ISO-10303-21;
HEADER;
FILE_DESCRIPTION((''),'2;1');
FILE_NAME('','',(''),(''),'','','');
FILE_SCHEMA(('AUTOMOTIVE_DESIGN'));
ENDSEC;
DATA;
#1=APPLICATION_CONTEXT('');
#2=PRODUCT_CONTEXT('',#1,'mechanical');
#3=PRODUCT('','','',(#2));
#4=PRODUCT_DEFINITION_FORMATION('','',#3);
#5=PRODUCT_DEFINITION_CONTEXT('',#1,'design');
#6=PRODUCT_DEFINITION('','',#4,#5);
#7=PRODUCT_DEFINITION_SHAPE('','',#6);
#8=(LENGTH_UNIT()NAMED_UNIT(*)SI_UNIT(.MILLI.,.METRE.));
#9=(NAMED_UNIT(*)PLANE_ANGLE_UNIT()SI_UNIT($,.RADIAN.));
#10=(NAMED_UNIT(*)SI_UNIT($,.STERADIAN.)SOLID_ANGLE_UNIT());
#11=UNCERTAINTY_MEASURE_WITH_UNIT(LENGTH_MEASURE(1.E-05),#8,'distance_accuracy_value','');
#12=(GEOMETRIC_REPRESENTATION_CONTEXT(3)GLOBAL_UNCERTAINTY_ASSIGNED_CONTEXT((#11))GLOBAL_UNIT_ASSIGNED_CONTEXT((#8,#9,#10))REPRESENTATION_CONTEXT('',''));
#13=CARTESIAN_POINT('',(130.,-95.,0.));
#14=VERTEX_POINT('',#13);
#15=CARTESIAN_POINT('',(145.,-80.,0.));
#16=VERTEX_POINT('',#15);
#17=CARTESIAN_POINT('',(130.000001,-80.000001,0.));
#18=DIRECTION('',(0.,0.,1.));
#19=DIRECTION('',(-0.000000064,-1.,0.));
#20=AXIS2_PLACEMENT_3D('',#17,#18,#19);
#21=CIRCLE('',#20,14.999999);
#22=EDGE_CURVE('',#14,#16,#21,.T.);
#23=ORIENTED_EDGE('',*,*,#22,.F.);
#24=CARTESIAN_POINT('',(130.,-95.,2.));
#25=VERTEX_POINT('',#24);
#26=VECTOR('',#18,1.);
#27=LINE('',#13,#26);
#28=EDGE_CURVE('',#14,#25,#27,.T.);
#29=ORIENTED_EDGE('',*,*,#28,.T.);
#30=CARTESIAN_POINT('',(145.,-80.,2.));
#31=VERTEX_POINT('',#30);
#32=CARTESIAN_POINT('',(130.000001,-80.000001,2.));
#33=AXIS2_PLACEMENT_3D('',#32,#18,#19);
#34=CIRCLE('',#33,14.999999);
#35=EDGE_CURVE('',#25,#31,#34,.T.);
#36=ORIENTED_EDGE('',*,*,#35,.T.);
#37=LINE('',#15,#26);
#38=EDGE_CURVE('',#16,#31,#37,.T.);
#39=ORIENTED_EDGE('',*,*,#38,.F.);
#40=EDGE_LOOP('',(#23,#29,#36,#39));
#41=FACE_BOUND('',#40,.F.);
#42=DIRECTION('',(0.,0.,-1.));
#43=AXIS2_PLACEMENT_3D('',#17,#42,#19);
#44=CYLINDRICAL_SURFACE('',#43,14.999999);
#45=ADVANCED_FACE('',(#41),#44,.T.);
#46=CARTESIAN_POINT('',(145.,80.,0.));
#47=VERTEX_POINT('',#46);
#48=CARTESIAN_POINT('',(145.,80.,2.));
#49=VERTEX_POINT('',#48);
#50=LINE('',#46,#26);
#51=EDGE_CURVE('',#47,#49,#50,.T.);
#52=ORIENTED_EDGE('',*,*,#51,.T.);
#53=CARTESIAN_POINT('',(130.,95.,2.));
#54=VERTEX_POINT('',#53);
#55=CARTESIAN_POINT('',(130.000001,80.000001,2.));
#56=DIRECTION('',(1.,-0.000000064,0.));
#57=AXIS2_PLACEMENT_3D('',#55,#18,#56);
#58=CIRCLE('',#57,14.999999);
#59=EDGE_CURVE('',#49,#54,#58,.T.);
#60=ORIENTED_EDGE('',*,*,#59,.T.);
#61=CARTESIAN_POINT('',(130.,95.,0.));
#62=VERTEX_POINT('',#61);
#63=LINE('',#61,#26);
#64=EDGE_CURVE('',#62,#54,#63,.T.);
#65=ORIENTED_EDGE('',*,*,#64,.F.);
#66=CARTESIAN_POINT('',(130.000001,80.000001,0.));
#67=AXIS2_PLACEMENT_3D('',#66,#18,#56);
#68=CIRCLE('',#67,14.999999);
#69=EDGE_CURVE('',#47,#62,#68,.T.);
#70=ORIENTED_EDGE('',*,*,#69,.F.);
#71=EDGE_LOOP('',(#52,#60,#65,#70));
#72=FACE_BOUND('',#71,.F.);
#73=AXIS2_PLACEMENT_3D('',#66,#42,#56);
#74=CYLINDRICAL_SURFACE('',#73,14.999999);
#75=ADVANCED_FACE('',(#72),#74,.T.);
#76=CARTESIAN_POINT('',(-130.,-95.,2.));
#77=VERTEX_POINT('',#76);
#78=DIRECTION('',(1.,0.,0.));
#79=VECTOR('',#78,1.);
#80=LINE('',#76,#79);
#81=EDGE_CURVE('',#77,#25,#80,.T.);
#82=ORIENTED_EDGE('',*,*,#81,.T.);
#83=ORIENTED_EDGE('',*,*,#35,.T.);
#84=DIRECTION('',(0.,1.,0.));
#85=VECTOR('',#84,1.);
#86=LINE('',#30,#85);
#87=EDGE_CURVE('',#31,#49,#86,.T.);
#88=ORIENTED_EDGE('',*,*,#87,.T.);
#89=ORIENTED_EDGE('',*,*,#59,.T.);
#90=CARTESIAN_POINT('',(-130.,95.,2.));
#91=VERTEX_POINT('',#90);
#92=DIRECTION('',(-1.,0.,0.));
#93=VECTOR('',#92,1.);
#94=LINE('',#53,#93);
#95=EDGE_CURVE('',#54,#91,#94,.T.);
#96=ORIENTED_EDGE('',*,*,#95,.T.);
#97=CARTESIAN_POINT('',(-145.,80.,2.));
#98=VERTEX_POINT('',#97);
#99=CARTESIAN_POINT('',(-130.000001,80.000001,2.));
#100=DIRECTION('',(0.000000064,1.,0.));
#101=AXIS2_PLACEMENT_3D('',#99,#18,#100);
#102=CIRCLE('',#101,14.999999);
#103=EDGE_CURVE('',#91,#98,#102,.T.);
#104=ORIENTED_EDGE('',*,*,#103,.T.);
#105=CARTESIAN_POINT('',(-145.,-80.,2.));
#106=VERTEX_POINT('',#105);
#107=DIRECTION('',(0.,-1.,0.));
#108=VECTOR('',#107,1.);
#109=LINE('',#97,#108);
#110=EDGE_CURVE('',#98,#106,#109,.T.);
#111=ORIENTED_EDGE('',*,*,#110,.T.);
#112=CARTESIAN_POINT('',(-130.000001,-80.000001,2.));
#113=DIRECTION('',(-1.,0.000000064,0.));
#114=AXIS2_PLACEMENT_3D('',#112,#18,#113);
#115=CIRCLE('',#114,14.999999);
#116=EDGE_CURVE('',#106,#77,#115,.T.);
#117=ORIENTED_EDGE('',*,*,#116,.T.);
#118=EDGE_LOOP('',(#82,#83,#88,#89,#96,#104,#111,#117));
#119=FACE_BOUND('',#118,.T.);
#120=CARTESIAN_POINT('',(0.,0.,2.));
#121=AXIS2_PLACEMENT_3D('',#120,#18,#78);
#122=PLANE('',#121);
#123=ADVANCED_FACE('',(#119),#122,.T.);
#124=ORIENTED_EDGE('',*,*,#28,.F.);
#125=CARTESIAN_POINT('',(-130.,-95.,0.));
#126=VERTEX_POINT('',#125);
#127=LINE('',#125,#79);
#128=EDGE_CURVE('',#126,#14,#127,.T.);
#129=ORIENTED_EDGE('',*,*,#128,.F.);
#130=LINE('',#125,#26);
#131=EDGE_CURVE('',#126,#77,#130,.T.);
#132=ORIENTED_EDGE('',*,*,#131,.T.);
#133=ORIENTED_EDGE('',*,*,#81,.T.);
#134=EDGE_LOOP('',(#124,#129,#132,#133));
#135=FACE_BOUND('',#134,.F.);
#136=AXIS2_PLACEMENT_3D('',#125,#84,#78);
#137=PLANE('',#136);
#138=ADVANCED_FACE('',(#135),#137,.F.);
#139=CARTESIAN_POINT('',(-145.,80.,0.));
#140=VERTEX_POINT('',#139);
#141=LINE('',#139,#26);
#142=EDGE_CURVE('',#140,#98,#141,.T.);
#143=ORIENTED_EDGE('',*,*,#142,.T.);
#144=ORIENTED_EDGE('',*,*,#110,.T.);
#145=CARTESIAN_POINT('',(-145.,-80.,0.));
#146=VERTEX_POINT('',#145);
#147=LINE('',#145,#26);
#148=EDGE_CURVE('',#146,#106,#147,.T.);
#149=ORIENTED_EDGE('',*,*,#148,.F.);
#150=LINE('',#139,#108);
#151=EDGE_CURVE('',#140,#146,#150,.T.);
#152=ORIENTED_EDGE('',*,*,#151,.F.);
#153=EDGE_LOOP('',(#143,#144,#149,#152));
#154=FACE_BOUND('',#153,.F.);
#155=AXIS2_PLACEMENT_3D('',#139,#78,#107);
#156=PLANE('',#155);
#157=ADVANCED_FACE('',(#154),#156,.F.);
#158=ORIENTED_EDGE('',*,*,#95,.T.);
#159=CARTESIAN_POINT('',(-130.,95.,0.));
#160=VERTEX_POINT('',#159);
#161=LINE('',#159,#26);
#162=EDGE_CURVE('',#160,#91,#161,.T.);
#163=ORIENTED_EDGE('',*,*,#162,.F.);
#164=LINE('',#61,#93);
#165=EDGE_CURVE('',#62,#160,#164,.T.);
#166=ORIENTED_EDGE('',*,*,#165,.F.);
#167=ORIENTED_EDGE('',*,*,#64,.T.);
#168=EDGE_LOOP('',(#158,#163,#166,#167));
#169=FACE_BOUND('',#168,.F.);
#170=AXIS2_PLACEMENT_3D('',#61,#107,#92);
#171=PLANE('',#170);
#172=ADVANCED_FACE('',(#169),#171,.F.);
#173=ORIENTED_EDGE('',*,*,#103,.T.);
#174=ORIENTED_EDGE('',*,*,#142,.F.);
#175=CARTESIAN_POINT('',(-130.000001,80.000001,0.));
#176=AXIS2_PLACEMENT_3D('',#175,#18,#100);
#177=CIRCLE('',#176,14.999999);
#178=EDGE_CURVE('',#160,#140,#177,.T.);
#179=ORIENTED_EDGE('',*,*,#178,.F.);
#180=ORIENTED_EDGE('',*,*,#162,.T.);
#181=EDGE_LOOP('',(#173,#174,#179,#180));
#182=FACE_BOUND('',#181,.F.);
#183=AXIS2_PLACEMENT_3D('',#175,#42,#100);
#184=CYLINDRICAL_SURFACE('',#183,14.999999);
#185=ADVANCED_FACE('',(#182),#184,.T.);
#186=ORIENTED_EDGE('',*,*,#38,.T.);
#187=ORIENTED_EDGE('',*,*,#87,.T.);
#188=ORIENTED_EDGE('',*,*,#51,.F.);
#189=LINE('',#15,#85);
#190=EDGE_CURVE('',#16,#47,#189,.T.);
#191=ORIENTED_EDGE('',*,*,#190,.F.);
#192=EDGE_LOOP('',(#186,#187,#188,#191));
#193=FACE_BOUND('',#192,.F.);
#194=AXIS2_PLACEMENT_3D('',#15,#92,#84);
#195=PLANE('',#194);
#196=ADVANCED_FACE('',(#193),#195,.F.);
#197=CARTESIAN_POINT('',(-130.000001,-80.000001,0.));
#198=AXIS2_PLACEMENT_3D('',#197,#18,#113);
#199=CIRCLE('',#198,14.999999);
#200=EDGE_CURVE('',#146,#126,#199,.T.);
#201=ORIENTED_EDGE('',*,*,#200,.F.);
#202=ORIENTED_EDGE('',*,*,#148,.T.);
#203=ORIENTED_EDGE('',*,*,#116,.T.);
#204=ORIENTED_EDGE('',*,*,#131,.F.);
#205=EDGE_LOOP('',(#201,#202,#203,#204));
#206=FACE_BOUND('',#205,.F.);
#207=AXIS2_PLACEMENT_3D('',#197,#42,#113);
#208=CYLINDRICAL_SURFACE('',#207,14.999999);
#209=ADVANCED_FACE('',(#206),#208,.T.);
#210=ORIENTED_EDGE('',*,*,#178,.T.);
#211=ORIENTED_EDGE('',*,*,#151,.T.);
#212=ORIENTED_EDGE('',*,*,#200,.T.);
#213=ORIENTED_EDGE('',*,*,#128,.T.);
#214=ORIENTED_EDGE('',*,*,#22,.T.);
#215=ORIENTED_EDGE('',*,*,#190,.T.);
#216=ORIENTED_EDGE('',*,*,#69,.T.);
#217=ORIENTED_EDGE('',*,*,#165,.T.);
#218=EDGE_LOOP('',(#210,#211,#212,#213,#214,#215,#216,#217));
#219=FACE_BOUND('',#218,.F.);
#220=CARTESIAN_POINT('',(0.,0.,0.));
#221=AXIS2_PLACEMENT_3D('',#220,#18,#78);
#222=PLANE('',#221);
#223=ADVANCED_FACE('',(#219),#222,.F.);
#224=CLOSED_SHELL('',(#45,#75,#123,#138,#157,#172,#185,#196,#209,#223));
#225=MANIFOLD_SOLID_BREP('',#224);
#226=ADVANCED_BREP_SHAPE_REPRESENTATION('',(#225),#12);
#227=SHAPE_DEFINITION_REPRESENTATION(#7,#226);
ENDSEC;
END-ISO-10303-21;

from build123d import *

# Parameters (mm, degrees)
F1_DEPTH = 2


with BuildPart() as f1:
    # F0 (on Top) → F1 (new body)
    with BuildSketch(Plane.XY):
        with BuildLine():
            ThreePointArc((-145, -80), (-140.606602, -90.606602), (-130, -95))
            Line((-130, -95), (130, -95))
            ThreePointArc((130, -95), (140.606602, -90.606602), (145, -80))
            Line((145, -80), (145, 80))
            ThreePointArc((145, 80), (140.606602, 90.606602), (130, 95))
            Line((130, 95), (-130, 95))
            ThreePointArc((-130, 95), (-140.606602, 90.606602), (-145, 80))
            Line((-145, 80), (-145, -80))
        make_face()
        with BuildLine():
            ThreePointArc((-135, -40), (-133.535534, -36.464466), (-130, -35))
            Line((-130, -35), (-94, -35))
            ThreePointArc((-94, -35), (-90.464466, -36.464466), (-89, -40))
            Line((-89, -40), (-89, -80))
            ThreePointArc((-89, -80), (-90.464466, -83.535534), (-94, -85))
            Line((-94, -85), (-130, -85))
            ThreePointArc((-130, -85), (-133.535534, -83.535534), (-135, -80))
            Line((-135, -80), (-135, -40))
        make_face(mode=Mode.SUBTRACT)
        with BuildLine():
            ThreePointArc((-79, -40), (-77.535534, -36.464466), (-74, -35))
            Line((-74, -35), (-38, -35))
            ThreePointArc((-38, -35), (-34.464466, -36.464466), (-33, -40))
            Line((-33, -40), (-33, -80))
            ThreePointArc((-33, -80), (-34.464466, -83.535534), (-38, -85))
            Line((-38, -85), (-74, -85))
            ThreePointArc((-74, -85), (-77.535534, -83.535534), (-79, -80))
            Line((-79, -80), (-79, -40))
        make_face(mode=Mode.SUBTRACT)
        with BuildLine():
            ThreePointArc((-23, -40), (-21.535534, -36.464466), (-18, -35))
            Line((-18, -35), (18, -35))
            ThreePointArc((18, -35), (21.535534, -36.464466), (23, -40))
            Line((23, -40), (23, -80))
            ThreePointArc((23, -80), (21.535534, -83.535534), (18, -85))
            Line((18, -85), (-18, -85))
            ThreePointArc((-18, -85), (-21.535534, -83.535534), (-23, -80))
            Line((-23, -80), (-23, -40))
        make_face(mode=Mode.SUBTRACT)
        with BuildLine():
            ThreePointArc((33, -40), (34.464466, -36.464466), (38, -35))
            Line((38, -35), (74, -35))
            ThreePointArc((74, -35), (77.535534, -36.464466), (79, -40))
            Line((79, -40), (79, -80))
            ThreePointArc((79, -80), (77.535534, -83.535534), (74, -85))
            Line((74, -85), (38, -85))
            ThreePointArc((38, -85), (34.464466, -83.535534), (33, -80))
            Line((33, -80), (33, -40))
        make_face(mode=Mode.SUBTRACT)
        with BuildLine():
            ThreePointArc((89, -40), (90.464466, -36.464466), (94, -35))
            Line((94, -35), (130, -35))
            ThreePointArc((130, -35), (133.535534, -36.464466), (135, -40))
            Line((135, -40), (135, -80))
            ThreePointArc((135, -80), (133.535534, -83.535534), (130, -85))
            Line((130, -85), (94, -85))
            ThreePointArc((94, -85), (90.464466, -83.535534), (89, -80))
            Line((89, -80), (89, -40))
        make_face(mode=Mode.SUBTRACT)
        with BuildLine():
            ThreePointArc((-135, 20), (-133.535534, 23.535534), (-130, 25))
            Line((-130, 25), (-94, 25))
            ThreePointArc((-94, 25), (-90.464466, 23.535534), (-89, 20))
            Line((-89, 20), (-89, -20))
            ThreePointArc((-89, -20), (-90.464466, -23.535534), (-94, -25))
            Line((-94, -25), (-130, -25))
            ThreePointArc((-130, -25), (-133.535534, -23.535534), (-135, -20))
            Line((-135, -20), (-135, 20))
        make_face(mode=Mode.SUBTRACT)
        with BuildLine():
            ThreePointArc((-79, 20), (-77.535534, 23.535534), (-74, 25))
            Line((-74, 25), (-38, 25))
            ThreePointArc((-38, 25), (-34.464466, 23.535534), (-33, 20))
            Line((-33, 20), (-33, -20))
            ThreePointArc((-33, -20), (-34.464466, -23.535534), (-38, -25))
            Line((-38, -25), (-74, -25))
            ThreePointArc((-74, -25), (-77.535534, -23.535534), (-79, -20))
            Line((-79, -20), (-79, 20))
        make_face(mode=Mode.SUBTRACT)
        with BuildLine():
            ThreePointArc((-89, 40), (-90.464466, 36.464466), (-94, 35))
            Line((-94, 35), (-130, 35))
            ThreePointArc((-130, 35), (-133.535534, 36.464466), (-135, 40))
            Line((-135, 40), (-135, 80))
            ThreePointArc((-135, 80), (-133.535534, 83.535534), (-130, 85))
            Line((-130, 85), (-94, 85))
            ThreePointArc((-94, 85), (-90.464466, 83.535534), (-89, 80))
            Line((-89, 80), (-89, 40))
        make_face(mode=Mode.SUBTRACT)
        with BuildLine():
            ThreePointArc((-79, 80), (-77.535534, 83.535534), (-74, 85))
            Line((-74, 85), (-38, 85))
            ThreePointArc((-38, 85), (-34.464466, 83.535534), (-33, 80))
            Line((-33, 80), (-33, 40))
            ThreePointArc((-33, 40), (-34.464466, 36.464466), (-38, 35))
            Line((-38, 35), (-74, 35))
            ThreePointArc((-74, 35), (-77.535534, 36.464466), (-79, 40))
            Line((-79, 40), (-79, 80))
        make_face(mode=Mode.SUBTRACT)
        with BuildLine():
            ThreePointArc((-23, 20), (-21.535534, 23.535534), (-18, 25))
            Line((-18, 25), (18, 25))
            ThreePointArc((18, 25), (21.535534, 23.535534), (23, 20))
            Line((23, 20), (23, -20))
            ThreePointArc((23, -20), (21.535534, -23.535534), (18, -25))
            Line((18, -25), (-18, -25))
            ThreePointArc((-18, -25), (-21.535534, -23.535534), (-23, -20))
            Line((-23, -20), (-23, 20))
        make_face(mode=Mode.SUBTRACT)
        with BuildLine():
            ThreePointArc((33, 20), (34.464466, 23.535534), (38, 25))
            Line((38, 25), (74, 25))
            ThreePointArc((74, 25), (77.535534, 23.535534), (79, 20))
            Line((79, 20), (79, -20))
            ThreePointArc((79, -20), (77.535534, -23.535534), (74, -25))
            Line((74, -25), (38, -25))
            ThreePointArc((38, -25), (34.464466, -23.535534), (33, -20))
            Line((33, -20), (33, 20))
        make_face(mode=Mode.SUBTRACT)
        with BuildLine():
            ThreePointArc((89, 20), (90.464466, 23.535534), (94, 25))
            Line((94, 25), (130, 25))
            ThreePointArc((130, 25), (133.535534, 23.535534), (135, 20))
            Line((135, 20), (135, -20))
            ThreePointArc((135, -20), (133.535534, -23.535534), (130, -25))
            Line((130, -25), (94, -25))
            ThreePointArc((94, -25), (90.464466, -23.535534), (89, -20))
            Line((89, -20), (89, 20))
        make_face(mode=Mode.SUBTRACT)
        with BuildLine():
            ThreePointArc((-23, 80), (-21.535534, 83.535534), (-18, 85))
            Line((-18, 85), (18, 85))
            ThreePointArc((18, 85), (21.535534, 83.535534), (23, 80))
            Line((23, 80), (23, 40))
            ThreePointArc((23, 40), (21.535534, 36.464466), (18, 35))
            Line((18, 35), (-18, 35))
            ThreePointArc((-18, 35), (-21.535534, 36.464466), (-23, 40))
            Line((-23, 40), (-23, 80))
        make_face(mode=Mode.SUBTRACT)
        with BuildLine():
            ThreePointArc((33, 80), (34.464466, 83.535534), (38, 85))
            Line((38, 85), (74, 85))
            ThreePointArc((74, 85), (77.535534, 83.535534), (79, 80))
            Line((79, 80), (79, 40))
            ThreePointArc((79, 40), (77.535534, 36.464466), (74, 35))
            Line((74, 35), (38, 35))
            ThreePointArc((38, 35), (34.464466, 36.464466), (33, 40))
            Line((33, 40), (33, 80))
        make_face(mode=Mode.SUBTRACT)
        with BuildLine():
            ThreePointArc((89, 80), (90.464466, 83.535534), (94, 85))
            Line((94, 85), (130, 85))
            ThreePointArc((130, 85), (133.535534, 83.535534), (135, 80))
            Line((135, 80), (135, 40))
            ThreePointArc((135, 40), (133.535534, 36.464466), (130, 35))
            Line((130, 35), (94, 35))
            ThreePointArc((94, 35), (90.464466, 36.464466), (89, 40))
            Line((89, 40), (89, 80))
        make_face(mode=Mode.SUBTRACT)
        with BuildLine():
            Line((130, -35), (94, -35))
            ThreePointArc((94, -35), (90.464466, -36.464466), (89, -40))
            Line((89, -40), (89, -80))
            ThreePointArc((89, -80), (90.464466, -83.535534), (94, -85))
            Line((94, -85), (130, -85))
            ThreePointArc((130, -85), (133.535534, -83.535534), (135, -80))
            Line((135, -80), (135, -40))
            ThreePointArc((135, -40), (133.535534, -36.464466), (130, -35))
        make_face()
        with BuildLine():
            Line((74, -35), (38, -35))
            ThreePointArc((38, -35), (34.464466, -36.464466), (33, -40))
            Line((33, -40), (33, -80))
            ThreePointArc((33, -80), (34.464466, -83.535534), (38, -85))
            Line((38, -85), (74, -85))
            ThreePointArc((74, -85), (77.535534, -83.535534), (79, -80))
            Line((79, -80), (79, -40))
            ThreePointArc((79, -40), (77.535534, -36.464466), (74, -35))
        make_face()
        with BuildLine():
            Line((130, 25), (94, 25))
            ThreePointArc((94, 25), (90.464466, 23.535534), (89, 20))
            Line((89, 20), (89, -20))
            ThreePointArc((89, -20), (90.464466, -23.535534), (94, -25))
            Line((94, -25), (130, -25))
            ThreePointArc((130, -25), (133.535534, -23.535534), (135, -20))
            Line((135, -20), (135, 20))
            ThreePointArc((135, 20), (133.535534, 23.535534), (130, 25))
        make_face()
        with BuildLine():
            Line((74, 25), (38, 25))
            ThreePointArc((38, 25), (34.464466, 23.535534), (33, 20))
            Line((33, 20), (33, -20))
            ThreePointArc((33, -20), (34.464466, -23.535534), (38, -25))
            Line((38, -25), (74, -25))
            ThreePointArc((74, -25), (77.535534, -23.535534), (79, -20))
            Line((79, -20), (79, 20))
            ThreePointArc((79, 20), (77.535534, 23.535534), (74, 25))
        make_face()
        with BuildLine():
            Line((130, 85), (94, 85))
            ThreePointArc((94, 85), (90.464466, 83.535534), (89, 80))
            Line((89, 80), (89, 40))
            ThreePointArc((89, 40), (90.464466, 36.464466), (94, 35))
            Line((94, 35), (130, 35))
            ThreePointArc((130, 35), (133.535534, 36.464466), (135, 40))
            Line((135, 40), (135, 80))
            ThreePointArc((135, 80), (133.535534, 83.535534), (130, 85))
        make_face()
        with BuildLine():
            Line((74, 85), (38, 85))
            ThreePointArc((38, 85), (34.464466, 83.535534), (33, 80))
            Line((33, 80), (33, 40))
            ThreePointArc((33, 40), (34.464466, 36.464466), (38, 35))
            Line((38, 35), (74, 35))
            ThreePointArc((74, 35), (77.535534, 36.464466), (79, 40))
            Line((79, 40), (79, 80))
            ThreePointArc((79, 80), (77.535534, 83.535534), (74, 85))
        make_face()
        with BuildLine():
            Line((18, 85), (-18, 85))
            ThreePointArc((-18, 85), (-21.535534, 83.535534), (-23, 80))
            Line((-23, 80), (-23, 40))
            ThreePointArc((-23, 40), (-21.535534, 36.464466), (-18, 35))
            Line((-18, 35), (18, 35))
            ThreePointArc((18, 35), (21.535534, 36.464466), (23, 40))
            Line((23, 40), (23, 80))
            ThreePointArc((23, 80), (21.535534, 83.535534), (18, 85))
        make_face()
        with BuildLine():
            Line((18, 25), (-18, 25))
            ThreePointArc((-18, 25), (-21.535534, 23.535534), (-23, 20))
            Line((-23, 20), (-23, -20))
            ThreePointArc((-23, -20), (-21.535534, -23.535534), (-18, -25))
            Line((-18, -25), (18, -25))
            ThreePointArc((18, -25), (21.535534, -23.535534), (23, -20))
            Line((23, -20), (23, 20))
            ThreePointArc((23, 20), (21.535534, 23.535534), (18, 25))
        make_face()
        with BuildLine():
            Line((-38, -35), (-74, -35))
            ThreePointArc((-74, -35), (-77.535534, -36.464466), (-79, -40))
            Line((-79, -40), (-79, -80))
            ThreePointArc((-79, -80), (-77.535534, -83.535534), (-74, -85))
            Line((-74, -85), (-38, -85))
            ThreePointArc((-38, -85), (-34.464466, -83.535534), (-33, -80))
            Line((-33, -80), (-33, -40))
            ThreePointArc((-33, -40), (-34.464466, -36.464466), (-38, -35))
        make_face()
        with BuildLine():
            Line((-38, 25), (-74, 25))
            ThreePointArc((-74, 25), (-77.535534, 23.535534), (-79, 20))
            Line((-79, 20), (-79, -20))
            ThreePointArc((-79, -20), (-77.535534, -23.535534), (-74, -25))
            Line((-74, -25), (-38, -25))
            ThreePointArc((-38, -25), (-34.464466, -23.535534), (-33, -20))
            Line((-33, -20), (-33, 20))
            ThreePointArc((-33, 20), (-34.464466, 23.535534), (-38, 25))
        make_face()
        with BuildLine():
            Line((-38, 85), (-74, 85))
            ThreePointArc((-74, 85), (-77.535534, 83.535534), (-79, 80))
            Line((-79, 80), (-79, 40))
            ThreePointArc((-79, 40), (-77.535534, 36.464466), (-74, 35))
            Line((-74, 35), (-38, 35))
            ThreePointArc((-38, 35), (-34.464466, 36.464466), (-33, 40))
            Line((-33, 40), (-33, 80))
            ThreePointArc((-33, 80), (-34.464466, 83.535534), (-38, 85))
        make_face()
        with BuildLine():
            Line((-130, 35), (-94, 35))
            ThreePointArc((-94, 35), (-90.464466, 36.464466), (-89, 40))
            Line((-89, 40), (-89, 80))
            ThreePointArc((-89, 80), (-90.464466, 83.535534), (-94, 85))
            Line((-94, 85), (-130, 85))
            ThreePointArc((-130, 85), (-133.535534, 83.535534), (-135, 80))
            Line((-135, 80), (-135, 40))
            ThreePointArc((-135, 40), (-133.535534, 36.464466), (-130, 35))
        make_face()
        with BuildLine():
            Line((-94, 25), (-130, 25))
            ThreePointArc((-130, 25), (-133.535534, 23.535534), (-135, 20))
            Line((-135, 20), (-135, -20))
            ThreePointArc((-135, -20), (-133.535534, -23.535534), (-130, -25))
            Line((-130, -25), (-94, -25))
            ThreePointArc((-94, -25), (-90.464466, -23.535534), (-89, -20))
            Line((-89, -20), (-89, 20))
            ThreePointArc((-89, 20), (-90.464466, 23.535534), (-94, 25))
        make_face()
        with BuildLine():
            Line((-94, -35), (-130, -35))
            ThreePointArc((-130, -35), (-133.535534, -36.464466), (-135, -40))
            Line((-135, -40), (-135, -80))
            ThreePointArc((-135, -80), (-133.535534, -83.535534), (-130, -85))
            Line((-130, -85), (-94, -85))
            ThreePointArc((-94, -85), (-90.464466, -83.535534), (-89, -80))
            Line((-89, -80), (-89, -40))
            ThreePointArc((-89, -40), (-90.464466, -36.464466), (-94, -35))
        make_face()
        with BuildLine():
            Line((18, -35), (-18, -35))
            ThreePointArc((-18, -35), (-21.535534, -36.464466), (-23, -40))
            Line((-23, -40), (-23, -80))
            ThreePointArc((-23, -80), (-21.535534, -83.535534), (-18, -85))
            Line((-18, -85), (18, -85))
            ThreePointArc((18, -85), (21.535534, -83.535534), (23, -80))
            Line((23, -80), (23, -40))
            ThreePointArc((23, -40), (21.535534, -36.464466), (18, -35))
        make_face()
    extrude(amount=F1_DEPTH)


solid = f1.part
